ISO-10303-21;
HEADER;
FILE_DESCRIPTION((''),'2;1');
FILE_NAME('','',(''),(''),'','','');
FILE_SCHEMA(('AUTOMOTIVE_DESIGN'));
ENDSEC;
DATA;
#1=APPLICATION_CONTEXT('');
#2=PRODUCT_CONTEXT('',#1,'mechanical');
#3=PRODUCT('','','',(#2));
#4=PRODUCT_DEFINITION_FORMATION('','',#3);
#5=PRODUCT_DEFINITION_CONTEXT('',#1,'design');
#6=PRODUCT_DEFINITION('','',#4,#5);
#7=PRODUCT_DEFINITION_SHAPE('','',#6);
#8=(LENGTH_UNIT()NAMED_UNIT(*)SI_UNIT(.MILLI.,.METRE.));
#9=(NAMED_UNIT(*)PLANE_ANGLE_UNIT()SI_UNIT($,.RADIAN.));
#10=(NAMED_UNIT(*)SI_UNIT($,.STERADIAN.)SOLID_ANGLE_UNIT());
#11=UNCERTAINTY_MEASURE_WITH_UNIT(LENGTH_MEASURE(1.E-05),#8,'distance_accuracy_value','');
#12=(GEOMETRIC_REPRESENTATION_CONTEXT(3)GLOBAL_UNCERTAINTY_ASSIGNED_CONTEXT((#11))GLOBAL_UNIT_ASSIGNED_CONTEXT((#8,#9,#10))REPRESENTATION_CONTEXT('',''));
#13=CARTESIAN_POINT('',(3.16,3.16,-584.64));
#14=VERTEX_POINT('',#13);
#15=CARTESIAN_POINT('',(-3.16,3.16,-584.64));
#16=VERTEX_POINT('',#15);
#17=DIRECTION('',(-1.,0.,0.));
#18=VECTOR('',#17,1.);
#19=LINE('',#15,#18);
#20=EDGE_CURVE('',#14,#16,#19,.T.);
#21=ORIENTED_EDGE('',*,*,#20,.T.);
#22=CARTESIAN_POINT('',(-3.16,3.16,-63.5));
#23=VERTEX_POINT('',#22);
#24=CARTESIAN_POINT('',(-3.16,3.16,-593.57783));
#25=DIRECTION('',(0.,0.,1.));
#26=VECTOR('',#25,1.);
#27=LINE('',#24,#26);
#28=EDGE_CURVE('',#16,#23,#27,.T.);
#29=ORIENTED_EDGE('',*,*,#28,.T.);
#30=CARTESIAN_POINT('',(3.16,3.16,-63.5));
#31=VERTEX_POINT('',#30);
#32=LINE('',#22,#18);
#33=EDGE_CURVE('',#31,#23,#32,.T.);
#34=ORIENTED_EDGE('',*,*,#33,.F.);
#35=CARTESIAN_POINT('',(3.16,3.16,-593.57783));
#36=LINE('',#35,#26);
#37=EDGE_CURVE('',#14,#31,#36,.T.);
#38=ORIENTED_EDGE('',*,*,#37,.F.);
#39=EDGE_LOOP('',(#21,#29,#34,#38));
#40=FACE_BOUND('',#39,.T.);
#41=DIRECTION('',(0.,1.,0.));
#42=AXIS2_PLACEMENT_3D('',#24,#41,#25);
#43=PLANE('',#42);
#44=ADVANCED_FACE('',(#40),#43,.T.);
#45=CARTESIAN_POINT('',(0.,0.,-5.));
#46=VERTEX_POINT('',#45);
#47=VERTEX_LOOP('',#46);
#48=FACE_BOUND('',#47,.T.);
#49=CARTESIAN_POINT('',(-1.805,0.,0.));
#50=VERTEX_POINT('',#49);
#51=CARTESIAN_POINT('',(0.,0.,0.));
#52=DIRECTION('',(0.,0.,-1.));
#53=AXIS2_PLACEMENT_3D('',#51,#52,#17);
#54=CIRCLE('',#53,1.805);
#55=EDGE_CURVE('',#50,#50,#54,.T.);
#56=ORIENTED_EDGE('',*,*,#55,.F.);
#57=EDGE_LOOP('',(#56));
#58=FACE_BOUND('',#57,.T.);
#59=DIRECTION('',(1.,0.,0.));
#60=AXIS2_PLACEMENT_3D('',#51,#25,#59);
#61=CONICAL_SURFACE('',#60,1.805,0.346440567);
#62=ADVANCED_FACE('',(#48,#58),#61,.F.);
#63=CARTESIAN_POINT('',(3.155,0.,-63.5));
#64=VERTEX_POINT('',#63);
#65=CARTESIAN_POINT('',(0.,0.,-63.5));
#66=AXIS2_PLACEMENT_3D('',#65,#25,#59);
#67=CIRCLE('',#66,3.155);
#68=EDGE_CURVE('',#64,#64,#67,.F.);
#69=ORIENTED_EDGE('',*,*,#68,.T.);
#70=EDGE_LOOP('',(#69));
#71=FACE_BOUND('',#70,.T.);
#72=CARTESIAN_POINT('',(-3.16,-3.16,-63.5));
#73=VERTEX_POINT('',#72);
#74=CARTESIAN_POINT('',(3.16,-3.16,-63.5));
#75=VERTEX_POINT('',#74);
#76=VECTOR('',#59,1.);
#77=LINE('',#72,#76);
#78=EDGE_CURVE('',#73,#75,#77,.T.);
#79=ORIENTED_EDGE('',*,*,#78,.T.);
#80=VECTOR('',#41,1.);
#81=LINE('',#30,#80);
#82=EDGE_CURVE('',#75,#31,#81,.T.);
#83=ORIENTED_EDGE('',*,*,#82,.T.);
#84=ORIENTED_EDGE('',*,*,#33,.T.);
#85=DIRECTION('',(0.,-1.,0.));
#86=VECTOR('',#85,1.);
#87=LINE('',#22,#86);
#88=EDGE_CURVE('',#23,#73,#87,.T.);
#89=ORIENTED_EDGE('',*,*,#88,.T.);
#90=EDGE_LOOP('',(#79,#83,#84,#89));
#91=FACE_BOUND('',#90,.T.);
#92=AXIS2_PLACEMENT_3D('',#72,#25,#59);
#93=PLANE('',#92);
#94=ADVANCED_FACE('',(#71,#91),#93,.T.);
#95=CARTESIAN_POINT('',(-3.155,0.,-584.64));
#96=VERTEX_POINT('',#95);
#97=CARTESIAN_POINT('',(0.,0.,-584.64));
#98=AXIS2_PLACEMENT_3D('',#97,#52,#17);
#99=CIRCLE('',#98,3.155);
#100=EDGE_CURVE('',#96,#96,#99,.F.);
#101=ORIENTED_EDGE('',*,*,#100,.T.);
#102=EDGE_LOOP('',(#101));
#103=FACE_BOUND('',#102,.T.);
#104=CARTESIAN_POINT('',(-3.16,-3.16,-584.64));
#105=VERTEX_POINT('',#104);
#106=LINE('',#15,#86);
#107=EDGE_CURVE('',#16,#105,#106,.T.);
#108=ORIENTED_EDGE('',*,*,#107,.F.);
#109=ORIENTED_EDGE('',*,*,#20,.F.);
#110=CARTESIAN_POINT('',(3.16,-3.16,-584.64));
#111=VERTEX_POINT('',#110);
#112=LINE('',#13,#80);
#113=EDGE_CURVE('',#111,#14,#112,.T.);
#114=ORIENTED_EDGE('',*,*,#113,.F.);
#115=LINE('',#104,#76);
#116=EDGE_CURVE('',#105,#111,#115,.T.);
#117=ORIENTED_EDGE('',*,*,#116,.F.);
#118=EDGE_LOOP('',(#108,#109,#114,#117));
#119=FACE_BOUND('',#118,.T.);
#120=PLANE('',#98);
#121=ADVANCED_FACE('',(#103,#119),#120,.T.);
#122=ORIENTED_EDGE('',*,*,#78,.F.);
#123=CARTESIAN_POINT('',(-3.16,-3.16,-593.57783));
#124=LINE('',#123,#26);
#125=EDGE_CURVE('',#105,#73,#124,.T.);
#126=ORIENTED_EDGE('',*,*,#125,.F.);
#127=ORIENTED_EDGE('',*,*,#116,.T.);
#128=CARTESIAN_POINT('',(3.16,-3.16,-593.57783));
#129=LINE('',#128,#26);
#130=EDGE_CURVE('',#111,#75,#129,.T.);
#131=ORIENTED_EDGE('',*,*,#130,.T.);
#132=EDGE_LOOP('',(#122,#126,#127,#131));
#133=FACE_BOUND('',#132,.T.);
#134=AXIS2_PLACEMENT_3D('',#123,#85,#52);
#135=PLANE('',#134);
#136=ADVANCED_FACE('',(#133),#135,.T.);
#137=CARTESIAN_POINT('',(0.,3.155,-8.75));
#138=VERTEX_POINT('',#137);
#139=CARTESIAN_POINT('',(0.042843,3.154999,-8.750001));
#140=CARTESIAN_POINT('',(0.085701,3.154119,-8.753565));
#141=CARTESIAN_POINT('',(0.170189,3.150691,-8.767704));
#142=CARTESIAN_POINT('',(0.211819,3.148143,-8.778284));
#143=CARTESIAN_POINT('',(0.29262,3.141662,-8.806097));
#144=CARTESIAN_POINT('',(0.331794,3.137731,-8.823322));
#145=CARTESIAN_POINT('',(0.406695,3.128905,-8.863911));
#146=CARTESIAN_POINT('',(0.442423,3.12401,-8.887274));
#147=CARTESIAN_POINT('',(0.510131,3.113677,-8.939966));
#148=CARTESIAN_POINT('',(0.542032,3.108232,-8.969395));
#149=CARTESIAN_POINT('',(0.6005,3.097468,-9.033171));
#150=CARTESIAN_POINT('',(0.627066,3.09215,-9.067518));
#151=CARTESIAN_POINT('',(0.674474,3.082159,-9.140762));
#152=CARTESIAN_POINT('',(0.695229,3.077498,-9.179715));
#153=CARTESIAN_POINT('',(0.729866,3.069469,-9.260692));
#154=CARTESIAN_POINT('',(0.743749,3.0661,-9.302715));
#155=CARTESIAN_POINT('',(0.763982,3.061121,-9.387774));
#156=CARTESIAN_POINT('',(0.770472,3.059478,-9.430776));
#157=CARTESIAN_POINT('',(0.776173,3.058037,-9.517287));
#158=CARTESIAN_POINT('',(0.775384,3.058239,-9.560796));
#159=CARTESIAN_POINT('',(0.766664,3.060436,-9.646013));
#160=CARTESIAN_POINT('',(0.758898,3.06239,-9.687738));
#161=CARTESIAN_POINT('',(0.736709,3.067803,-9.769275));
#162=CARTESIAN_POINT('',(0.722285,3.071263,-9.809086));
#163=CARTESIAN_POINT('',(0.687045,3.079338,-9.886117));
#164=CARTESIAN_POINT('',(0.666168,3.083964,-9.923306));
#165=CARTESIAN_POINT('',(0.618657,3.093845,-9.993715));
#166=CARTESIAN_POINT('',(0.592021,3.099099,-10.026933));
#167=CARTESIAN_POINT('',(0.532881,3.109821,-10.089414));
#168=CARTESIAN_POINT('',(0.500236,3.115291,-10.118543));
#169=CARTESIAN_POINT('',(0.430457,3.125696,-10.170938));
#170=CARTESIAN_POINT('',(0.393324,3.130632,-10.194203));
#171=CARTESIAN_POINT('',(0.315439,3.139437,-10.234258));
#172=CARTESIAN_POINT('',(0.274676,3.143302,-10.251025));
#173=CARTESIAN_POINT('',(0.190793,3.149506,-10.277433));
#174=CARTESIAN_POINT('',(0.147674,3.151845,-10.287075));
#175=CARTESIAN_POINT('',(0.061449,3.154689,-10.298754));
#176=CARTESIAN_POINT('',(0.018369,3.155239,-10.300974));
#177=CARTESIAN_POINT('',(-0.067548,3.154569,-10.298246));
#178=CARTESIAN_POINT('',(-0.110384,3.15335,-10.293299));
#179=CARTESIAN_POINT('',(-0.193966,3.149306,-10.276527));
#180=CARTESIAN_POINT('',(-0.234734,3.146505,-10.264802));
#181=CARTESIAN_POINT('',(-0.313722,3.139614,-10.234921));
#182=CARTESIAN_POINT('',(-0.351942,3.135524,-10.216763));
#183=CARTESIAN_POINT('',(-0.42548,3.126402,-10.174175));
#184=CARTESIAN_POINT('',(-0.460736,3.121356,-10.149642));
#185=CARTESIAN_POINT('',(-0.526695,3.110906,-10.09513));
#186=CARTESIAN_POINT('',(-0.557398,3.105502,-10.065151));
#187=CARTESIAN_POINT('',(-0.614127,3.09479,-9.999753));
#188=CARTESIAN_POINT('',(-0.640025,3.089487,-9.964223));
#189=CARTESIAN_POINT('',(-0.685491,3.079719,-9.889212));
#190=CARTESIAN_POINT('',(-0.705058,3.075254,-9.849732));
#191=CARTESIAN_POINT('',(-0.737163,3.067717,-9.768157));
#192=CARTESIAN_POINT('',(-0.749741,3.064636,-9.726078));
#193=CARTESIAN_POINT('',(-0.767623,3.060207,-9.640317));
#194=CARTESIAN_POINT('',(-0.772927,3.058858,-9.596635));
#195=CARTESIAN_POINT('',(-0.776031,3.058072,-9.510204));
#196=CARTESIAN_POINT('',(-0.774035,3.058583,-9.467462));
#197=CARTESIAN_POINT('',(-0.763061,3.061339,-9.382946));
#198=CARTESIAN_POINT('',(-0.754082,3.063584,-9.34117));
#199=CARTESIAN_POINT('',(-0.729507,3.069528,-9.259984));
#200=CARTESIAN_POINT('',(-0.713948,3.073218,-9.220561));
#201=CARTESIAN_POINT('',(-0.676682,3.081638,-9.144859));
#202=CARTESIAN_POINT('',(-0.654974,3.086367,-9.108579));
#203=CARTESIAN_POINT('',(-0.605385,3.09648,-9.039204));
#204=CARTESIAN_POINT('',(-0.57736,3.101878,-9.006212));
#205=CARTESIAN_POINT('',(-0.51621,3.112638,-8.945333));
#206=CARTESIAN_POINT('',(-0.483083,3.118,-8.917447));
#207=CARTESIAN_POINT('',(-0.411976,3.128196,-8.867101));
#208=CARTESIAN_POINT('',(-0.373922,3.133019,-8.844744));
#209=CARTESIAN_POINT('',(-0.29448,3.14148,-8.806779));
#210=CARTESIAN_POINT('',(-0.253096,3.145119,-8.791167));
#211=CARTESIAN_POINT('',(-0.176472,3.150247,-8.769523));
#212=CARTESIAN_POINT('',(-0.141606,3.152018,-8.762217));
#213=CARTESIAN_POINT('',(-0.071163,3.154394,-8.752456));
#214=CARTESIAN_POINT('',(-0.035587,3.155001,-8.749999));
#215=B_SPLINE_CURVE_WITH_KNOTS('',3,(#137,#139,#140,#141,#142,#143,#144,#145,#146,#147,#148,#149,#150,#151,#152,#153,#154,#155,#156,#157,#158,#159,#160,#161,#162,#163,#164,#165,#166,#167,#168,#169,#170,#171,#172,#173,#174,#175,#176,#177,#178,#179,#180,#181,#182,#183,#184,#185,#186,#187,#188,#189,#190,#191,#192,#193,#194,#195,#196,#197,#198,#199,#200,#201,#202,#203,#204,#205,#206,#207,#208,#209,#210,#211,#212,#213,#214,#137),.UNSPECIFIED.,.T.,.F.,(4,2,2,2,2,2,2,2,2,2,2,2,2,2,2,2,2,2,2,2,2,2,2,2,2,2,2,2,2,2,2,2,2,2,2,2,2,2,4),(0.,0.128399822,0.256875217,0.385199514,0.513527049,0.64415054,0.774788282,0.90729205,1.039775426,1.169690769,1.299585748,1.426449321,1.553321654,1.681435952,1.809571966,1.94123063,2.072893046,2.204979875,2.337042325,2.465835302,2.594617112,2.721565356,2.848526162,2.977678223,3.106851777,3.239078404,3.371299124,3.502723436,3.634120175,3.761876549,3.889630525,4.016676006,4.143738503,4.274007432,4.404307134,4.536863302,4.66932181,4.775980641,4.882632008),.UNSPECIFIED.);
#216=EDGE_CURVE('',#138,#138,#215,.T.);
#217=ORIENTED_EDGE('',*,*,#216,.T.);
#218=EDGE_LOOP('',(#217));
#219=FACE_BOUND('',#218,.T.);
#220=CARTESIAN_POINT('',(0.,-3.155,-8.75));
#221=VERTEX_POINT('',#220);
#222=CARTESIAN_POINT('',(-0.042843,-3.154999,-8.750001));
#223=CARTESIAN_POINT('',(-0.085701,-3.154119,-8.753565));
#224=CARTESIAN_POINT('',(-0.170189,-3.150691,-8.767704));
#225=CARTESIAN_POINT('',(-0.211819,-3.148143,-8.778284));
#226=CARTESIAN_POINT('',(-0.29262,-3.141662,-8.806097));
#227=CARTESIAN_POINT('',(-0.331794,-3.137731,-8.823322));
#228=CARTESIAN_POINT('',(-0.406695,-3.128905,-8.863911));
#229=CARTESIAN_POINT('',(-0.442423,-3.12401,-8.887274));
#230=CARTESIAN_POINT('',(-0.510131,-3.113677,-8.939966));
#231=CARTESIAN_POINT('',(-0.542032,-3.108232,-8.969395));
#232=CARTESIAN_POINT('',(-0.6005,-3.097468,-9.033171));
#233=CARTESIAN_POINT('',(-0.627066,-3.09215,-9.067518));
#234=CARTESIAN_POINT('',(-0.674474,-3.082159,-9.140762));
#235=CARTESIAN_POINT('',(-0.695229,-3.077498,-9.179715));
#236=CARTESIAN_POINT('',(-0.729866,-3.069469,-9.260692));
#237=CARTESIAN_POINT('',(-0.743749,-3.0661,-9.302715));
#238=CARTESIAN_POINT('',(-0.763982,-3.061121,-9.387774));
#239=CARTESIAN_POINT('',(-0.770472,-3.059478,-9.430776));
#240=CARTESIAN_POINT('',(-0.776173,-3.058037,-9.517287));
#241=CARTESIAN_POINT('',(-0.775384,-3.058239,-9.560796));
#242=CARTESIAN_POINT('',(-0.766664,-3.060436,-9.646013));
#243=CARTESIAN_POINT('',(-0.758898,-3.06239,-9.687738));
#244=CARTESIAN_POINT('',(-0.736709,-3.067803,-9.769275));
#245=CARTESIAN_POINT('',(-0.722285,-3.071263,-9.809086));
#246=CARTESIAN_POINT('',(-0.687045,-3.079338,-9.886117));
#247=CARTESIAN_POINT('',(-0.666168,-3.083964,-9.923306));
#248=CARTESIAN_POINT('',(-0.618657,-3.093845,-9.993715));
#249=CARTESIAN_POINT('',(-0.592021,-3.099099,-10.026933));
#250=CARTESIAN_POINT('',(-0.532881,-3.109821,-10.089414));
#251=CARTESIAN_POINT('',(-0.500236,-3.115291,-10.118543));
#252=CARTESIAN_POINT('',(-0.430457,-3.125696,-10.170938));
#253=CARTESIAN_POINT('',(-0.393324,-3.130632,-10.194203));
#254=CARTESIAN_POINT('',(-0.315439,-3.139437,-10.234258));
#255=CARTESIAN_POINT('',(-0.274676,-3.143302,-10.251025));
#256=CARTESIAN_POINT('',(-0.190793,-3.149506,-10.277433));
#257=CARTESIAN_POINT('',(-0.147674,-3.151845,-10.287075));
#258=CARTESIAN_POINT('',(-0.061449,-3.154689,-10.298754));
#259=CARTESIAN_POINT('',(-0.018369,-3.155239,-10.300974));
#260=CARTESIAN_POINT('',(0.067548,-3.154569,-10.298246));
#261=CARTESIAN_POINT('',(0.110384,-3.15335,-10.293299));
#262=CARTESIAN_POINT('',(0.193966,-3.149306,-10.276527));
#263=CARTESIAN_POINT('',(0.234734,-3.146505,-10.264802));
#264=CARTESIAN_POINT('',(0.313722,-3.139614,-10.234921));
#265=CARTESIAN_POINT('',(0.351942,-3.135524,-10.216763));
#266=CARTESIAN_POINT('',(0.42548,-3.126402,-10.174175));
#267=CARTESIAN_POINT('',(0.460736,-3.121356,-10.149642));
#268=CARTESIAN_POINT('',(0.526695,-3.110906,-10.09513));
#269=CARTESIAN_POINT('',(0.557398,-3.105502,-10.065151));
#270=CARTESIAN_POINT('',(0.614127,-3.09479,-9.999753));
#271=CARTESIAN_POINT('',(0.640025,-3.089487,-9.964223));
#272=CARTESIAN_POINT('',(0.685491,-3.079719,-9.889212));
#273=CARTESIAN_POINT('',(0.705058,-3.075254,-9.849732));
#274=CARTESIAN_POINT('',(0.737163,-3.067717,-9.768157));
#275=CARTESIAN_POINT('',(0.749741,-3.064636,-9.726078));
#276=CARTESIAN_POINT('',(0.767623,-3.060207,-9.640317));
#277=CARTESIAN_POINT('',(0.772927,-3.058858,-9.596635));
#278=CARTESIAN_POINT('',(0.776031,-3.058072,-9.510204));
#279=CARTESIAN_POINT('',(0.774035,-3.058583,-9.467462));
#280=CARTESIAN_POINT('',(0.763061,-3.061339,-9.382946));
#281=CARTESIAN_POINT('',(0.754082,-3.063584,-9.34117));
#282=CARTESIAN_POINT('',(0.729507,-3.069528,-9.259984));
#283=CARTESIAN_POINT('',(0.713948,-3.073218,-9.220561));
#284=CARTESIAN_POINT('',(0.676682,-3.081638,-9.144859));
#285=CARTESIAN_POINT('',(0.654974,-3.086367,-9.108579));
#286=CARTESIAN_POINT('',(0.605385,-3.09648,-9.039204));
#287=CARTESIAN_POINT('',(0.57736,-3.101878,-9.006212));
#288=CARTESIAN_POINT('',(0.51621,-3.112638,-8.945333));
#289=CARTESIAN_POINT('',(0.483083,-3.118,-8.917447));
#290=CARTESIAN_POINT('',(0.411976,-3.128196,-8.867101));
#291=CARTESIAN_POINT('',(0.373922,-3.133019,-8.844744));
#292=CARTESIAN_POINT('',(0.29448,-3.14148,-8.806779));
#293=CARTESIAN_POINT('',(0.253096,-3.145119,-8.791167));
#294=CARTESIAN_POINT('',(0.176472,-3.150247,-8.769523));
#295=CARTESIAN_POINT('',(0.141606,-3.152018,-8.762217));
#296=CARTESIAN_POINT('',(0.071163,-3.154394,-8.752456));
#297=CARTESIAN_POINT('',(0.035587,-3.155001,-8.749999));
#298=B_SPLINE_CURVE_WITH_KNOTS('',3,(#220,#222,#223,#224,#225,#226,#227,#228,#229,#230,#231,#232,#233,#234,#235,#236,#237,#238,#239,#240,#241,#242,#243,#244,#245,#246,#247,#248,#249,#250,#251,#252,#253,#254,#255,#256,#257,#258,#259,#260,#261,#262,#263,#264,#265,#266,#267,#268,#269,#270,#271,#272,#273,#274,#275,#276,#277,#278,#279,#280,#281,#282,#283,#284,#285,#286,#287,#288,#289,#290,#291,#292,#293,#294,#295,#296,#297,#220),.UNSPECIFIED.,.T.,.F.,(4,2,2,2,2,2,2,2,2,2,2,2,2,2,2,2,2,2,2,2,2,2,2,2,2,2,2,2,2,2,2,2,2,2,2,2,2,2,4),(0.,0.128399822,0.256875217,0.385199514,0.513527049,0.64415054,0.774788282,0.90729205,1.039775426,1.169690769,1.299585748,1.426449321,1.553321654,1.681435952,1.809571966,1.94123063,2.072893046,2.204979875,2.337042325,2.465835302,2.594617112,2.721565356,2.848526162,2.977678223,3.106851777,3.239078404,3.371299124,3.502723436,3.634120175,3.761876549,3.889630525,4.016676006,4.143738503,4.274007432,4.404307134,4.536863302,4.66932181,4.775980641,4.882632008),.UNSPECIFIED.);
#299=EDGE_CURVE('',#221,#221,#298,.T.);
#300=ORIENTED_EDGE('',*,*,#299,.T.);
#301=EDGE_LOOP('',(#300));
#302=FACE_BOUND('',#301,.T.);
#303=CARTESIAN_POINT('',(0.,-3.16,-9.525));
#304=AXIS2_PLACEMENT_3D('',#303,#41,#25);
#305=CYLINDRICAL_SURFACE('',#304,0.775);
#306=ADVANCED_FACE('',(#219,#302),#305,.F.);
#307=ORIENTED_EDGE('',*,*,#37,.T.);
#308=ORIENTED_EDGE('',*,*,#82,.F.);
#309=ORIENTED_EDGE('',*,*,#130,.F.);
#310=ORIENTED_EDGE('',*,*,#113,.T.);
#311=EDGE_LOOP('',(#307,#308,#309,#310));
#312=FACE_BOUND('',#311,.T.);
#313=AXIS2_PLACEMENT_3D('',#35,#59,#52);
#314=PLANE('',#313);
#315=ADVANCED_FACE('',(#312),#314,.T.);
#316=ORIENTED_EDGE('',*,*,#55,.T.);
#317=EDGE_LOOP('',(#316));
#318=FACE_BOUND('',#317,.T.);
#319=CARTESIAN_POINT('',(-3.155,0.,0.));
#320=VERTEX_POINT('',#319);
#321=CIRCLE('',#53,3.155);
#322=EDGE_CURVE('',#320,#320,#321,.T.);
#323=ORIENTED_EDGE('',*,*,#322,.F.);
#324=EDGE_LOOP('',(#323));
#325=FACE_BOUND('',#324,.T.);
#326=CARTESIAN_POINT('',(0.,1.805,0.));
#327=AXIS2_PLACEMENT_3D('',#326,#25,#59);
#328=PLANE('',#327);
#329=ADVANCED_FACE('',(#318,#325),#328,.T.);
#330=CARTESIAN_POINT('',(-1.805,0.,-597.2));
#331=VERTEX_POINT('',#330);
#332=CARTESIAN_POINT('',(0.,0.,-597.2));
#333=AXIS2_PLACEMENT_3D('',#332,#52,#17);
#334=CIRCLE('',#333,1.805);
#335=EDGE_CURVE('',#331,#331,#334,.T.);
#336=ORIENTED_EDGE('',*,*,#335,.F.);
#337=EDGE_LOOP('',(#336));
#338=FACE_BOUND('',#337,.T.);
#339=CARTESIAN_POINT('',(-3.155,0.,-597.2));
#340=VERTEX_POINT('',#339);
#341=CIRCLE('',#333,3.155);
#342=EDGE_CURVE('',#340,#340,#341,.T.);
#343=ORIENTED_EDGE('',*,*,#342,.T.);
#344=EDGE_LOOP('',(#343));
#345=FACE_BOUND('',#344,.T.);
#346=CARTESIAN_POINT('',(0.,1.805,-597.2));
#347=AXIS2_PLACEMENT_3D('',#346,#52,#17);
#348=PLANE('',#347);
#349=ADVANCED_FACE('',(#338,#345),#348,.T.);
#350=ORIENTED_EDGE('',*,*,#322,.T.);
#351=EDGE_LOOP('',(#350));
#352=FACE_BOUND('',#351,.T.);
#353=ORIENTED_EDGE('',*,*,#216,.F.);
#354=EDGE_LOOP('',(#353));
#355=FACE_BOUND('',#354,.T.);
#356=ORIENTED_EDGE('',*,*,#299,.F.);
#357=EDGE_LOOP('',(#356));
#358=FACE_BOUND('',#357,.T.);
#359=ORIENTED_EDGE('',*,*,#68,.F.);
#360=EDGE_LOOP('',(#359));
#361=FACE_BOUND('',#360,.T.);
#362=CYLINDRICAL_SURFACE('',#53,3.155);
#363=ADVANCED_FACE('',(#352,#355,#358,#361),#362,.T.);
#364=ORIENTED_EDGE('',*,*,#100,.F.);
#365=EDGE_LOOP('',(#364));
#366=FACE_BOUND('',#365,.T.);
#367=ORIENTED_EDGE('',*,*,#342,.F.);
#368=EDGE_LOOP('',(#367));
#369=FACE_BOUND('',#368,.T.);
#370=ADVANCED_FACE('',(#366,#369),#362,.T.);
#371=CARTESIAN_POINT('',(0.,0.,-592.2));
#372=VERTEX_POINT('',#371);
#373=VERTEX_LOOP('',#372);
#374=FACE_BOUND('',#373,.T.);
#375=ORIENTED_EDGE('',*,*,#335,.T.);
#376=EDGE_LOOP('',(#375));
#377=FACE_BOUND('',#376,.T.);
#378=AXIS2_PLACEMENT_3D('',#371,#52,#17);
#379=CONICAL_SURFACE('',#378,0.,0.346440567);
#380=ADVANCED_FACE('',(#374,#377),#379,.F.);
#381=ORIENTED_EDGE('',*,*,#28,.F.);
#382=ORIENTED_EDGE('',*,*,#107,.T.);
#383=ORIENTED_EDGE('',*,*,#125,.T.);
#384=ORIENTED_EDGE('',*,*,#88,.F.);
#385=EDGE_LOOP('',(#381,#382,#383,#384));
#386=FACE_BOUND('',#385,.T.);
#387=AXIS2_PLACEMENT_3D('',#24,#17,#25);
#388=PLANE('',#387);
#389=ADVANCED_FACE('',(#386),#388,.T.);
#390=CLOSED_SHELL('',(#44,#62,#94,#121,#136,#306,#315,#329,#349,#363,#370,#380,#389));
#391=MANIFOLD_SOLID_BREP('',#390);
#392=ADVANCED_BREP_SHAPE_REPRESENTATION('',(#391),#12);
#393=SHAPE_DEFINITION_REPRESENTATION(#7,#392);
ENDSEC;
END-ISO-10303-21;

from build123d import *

# Parameters (mm, degrees)
SKETCH2_W               = 6.32
SKETCH2_H               = 6.32
BOSS_EXTRUDE1_DEPTH     = 521.14
SKETCH4_R               = 0.775
CUT_EXTRUDE1_DEPTH      = 4.16
CUT_EXTRUDE1_DEPTH_BACK = 4.16


with BuildPart() as part:
    # Sketch1 → Revolve1 (revolve)
    with BuildSketch(Plane(origin=(0, 0, 0), x_dir=(0, 0, -1), z_dir=(1, 0, 0))):
        Polygon((5, 0), (592.2, 0), (597.2, 1.805), (597.2, 3.155), (0, 3.155), (0, 1.805), align=None)
    revolve(axis=Axis((0, 0, 0), (0, 0, 1)))

    # Sketch2 → Boss-Extrude1 (add)
    with BuildSketch(Plane.XY.offset(-63.5)):
        Rectangle(SKETCH2_W, SKETCH2_H)
    extrude(amount=-BOSS_EXTRUDE1_DEPTH)

    # Sketch4 → Cut-Extrude1 (cut, two sides)
    with BuildSketch(Plane(origin=(0, 0, 0), x_dir=(1, 0, 0), z_dir=(0, 1, 0))) as cut_extrude1_sk:
        with Locations((0, 9.525)):
            Circle(SKETCH4_R)
    extrude(amount=CUT_EXTRUDE1_DEPTH, mode=Mode.SUBTRACT)
    extrude(cut_extrude1_sk.sketch, amount=-CUT_EXTRUDE1_DEPTH_BACK, mode=Mode.SUBTRACT)


solid = part.part
